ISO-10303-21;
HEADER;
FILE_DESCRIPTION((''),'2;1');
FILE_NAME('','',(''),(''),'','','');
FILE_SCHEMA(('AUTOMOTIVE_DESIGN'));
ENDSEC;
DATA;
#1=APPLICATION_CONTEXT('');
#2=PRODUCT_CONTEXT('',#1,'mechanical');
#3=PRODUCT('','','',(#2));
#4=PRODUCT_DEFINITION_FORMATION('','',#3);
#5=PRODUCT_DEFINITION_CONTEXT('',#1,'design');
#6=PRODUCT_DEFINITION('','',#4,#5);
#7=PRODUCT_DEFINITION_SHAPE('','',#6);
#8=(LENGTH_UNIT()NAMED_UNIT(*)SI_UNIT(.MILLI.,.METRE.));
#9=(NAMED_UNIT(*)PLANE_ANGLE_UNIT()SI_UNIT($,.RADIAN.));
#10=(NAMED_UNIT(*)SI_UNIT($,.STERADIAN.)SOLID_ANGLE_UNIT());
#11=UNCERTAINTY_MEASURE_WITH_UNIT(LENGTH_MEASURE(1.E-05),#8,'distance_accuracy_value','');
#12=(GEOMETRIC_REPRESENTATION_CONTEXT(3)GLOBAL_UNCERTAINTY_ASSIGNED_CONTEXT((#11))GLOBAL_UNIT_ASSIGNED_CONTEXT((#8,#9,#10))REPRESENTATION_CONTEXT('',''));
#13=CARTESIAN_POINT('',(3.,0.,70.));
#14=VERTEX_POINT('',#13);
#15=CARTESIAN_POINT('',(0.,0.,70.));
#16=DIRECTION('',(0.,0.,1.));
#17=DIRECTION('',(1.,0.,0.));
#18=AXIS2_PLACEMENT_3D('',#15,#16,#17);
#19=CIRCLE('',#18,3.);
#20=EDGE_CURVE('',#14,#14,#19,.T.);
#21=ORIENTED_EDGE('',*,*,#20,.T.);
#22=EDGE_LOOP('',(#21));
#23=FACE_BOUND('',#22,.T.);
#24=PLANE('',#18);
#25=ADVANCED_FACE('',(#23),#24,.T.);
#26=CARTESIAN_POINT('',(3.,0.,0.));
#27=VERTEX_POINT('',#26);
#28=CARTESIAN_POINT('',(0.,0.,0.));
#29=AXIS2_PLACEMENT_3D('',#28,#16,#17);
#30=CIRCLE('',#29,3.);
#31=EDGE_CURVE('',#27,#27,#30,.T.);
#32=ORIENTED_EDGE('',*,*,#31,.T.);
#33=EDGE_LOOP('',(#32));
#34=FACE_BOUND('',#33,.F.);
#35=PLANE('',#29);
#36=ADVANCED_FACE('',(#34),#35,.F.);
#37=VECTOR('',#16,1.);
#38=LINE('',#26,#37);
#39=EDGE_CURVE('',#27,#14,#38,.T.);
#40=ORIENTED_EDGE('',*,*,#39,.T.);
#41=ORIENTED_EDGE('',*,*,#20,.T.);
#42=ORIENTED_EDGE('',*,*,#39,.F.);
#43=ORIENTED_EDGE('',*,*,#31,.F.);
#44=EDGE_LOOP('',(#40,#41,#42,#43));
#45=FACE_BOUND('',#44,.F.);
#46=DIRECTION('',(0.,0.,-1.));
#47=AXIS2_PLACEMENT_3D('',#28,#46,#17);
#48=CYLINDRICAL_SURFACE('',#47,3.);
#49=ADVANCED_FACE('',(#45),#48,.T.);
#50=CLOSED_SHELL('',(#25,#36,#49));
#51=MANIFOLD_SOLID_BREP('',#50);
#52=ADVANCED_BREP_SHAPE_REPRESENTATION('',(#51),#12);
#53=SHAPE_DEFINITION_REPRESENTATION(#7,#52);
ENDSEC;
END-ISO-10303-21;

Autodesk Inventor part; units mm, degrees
ref_plane "YZ Plane" through (0, 0, 0) normal (1, 0, 0) x (0, 1, 0)
ref_plane "XZ Plane" through (0, 0, 0) normal (0, 1, 0) x (-1, 0, 0)
ref_plane "XY Plane" through (0, 0, 0) normal (0, 0, 1) x (1, 0, 0)
sketch "スケッチ1" plane through (0, 0, 0) normal (0, 0, 1) x (1, 0, 0)
  circle A0 centre (0, 0) radius 3
  dimension "d0" = 6
extrude "押し出し1" add sketch "スケッチ1" along normal blind 70
properties part number "ロボット回転_ベアリングシャフト縦" material "アルミニウム 6061"
